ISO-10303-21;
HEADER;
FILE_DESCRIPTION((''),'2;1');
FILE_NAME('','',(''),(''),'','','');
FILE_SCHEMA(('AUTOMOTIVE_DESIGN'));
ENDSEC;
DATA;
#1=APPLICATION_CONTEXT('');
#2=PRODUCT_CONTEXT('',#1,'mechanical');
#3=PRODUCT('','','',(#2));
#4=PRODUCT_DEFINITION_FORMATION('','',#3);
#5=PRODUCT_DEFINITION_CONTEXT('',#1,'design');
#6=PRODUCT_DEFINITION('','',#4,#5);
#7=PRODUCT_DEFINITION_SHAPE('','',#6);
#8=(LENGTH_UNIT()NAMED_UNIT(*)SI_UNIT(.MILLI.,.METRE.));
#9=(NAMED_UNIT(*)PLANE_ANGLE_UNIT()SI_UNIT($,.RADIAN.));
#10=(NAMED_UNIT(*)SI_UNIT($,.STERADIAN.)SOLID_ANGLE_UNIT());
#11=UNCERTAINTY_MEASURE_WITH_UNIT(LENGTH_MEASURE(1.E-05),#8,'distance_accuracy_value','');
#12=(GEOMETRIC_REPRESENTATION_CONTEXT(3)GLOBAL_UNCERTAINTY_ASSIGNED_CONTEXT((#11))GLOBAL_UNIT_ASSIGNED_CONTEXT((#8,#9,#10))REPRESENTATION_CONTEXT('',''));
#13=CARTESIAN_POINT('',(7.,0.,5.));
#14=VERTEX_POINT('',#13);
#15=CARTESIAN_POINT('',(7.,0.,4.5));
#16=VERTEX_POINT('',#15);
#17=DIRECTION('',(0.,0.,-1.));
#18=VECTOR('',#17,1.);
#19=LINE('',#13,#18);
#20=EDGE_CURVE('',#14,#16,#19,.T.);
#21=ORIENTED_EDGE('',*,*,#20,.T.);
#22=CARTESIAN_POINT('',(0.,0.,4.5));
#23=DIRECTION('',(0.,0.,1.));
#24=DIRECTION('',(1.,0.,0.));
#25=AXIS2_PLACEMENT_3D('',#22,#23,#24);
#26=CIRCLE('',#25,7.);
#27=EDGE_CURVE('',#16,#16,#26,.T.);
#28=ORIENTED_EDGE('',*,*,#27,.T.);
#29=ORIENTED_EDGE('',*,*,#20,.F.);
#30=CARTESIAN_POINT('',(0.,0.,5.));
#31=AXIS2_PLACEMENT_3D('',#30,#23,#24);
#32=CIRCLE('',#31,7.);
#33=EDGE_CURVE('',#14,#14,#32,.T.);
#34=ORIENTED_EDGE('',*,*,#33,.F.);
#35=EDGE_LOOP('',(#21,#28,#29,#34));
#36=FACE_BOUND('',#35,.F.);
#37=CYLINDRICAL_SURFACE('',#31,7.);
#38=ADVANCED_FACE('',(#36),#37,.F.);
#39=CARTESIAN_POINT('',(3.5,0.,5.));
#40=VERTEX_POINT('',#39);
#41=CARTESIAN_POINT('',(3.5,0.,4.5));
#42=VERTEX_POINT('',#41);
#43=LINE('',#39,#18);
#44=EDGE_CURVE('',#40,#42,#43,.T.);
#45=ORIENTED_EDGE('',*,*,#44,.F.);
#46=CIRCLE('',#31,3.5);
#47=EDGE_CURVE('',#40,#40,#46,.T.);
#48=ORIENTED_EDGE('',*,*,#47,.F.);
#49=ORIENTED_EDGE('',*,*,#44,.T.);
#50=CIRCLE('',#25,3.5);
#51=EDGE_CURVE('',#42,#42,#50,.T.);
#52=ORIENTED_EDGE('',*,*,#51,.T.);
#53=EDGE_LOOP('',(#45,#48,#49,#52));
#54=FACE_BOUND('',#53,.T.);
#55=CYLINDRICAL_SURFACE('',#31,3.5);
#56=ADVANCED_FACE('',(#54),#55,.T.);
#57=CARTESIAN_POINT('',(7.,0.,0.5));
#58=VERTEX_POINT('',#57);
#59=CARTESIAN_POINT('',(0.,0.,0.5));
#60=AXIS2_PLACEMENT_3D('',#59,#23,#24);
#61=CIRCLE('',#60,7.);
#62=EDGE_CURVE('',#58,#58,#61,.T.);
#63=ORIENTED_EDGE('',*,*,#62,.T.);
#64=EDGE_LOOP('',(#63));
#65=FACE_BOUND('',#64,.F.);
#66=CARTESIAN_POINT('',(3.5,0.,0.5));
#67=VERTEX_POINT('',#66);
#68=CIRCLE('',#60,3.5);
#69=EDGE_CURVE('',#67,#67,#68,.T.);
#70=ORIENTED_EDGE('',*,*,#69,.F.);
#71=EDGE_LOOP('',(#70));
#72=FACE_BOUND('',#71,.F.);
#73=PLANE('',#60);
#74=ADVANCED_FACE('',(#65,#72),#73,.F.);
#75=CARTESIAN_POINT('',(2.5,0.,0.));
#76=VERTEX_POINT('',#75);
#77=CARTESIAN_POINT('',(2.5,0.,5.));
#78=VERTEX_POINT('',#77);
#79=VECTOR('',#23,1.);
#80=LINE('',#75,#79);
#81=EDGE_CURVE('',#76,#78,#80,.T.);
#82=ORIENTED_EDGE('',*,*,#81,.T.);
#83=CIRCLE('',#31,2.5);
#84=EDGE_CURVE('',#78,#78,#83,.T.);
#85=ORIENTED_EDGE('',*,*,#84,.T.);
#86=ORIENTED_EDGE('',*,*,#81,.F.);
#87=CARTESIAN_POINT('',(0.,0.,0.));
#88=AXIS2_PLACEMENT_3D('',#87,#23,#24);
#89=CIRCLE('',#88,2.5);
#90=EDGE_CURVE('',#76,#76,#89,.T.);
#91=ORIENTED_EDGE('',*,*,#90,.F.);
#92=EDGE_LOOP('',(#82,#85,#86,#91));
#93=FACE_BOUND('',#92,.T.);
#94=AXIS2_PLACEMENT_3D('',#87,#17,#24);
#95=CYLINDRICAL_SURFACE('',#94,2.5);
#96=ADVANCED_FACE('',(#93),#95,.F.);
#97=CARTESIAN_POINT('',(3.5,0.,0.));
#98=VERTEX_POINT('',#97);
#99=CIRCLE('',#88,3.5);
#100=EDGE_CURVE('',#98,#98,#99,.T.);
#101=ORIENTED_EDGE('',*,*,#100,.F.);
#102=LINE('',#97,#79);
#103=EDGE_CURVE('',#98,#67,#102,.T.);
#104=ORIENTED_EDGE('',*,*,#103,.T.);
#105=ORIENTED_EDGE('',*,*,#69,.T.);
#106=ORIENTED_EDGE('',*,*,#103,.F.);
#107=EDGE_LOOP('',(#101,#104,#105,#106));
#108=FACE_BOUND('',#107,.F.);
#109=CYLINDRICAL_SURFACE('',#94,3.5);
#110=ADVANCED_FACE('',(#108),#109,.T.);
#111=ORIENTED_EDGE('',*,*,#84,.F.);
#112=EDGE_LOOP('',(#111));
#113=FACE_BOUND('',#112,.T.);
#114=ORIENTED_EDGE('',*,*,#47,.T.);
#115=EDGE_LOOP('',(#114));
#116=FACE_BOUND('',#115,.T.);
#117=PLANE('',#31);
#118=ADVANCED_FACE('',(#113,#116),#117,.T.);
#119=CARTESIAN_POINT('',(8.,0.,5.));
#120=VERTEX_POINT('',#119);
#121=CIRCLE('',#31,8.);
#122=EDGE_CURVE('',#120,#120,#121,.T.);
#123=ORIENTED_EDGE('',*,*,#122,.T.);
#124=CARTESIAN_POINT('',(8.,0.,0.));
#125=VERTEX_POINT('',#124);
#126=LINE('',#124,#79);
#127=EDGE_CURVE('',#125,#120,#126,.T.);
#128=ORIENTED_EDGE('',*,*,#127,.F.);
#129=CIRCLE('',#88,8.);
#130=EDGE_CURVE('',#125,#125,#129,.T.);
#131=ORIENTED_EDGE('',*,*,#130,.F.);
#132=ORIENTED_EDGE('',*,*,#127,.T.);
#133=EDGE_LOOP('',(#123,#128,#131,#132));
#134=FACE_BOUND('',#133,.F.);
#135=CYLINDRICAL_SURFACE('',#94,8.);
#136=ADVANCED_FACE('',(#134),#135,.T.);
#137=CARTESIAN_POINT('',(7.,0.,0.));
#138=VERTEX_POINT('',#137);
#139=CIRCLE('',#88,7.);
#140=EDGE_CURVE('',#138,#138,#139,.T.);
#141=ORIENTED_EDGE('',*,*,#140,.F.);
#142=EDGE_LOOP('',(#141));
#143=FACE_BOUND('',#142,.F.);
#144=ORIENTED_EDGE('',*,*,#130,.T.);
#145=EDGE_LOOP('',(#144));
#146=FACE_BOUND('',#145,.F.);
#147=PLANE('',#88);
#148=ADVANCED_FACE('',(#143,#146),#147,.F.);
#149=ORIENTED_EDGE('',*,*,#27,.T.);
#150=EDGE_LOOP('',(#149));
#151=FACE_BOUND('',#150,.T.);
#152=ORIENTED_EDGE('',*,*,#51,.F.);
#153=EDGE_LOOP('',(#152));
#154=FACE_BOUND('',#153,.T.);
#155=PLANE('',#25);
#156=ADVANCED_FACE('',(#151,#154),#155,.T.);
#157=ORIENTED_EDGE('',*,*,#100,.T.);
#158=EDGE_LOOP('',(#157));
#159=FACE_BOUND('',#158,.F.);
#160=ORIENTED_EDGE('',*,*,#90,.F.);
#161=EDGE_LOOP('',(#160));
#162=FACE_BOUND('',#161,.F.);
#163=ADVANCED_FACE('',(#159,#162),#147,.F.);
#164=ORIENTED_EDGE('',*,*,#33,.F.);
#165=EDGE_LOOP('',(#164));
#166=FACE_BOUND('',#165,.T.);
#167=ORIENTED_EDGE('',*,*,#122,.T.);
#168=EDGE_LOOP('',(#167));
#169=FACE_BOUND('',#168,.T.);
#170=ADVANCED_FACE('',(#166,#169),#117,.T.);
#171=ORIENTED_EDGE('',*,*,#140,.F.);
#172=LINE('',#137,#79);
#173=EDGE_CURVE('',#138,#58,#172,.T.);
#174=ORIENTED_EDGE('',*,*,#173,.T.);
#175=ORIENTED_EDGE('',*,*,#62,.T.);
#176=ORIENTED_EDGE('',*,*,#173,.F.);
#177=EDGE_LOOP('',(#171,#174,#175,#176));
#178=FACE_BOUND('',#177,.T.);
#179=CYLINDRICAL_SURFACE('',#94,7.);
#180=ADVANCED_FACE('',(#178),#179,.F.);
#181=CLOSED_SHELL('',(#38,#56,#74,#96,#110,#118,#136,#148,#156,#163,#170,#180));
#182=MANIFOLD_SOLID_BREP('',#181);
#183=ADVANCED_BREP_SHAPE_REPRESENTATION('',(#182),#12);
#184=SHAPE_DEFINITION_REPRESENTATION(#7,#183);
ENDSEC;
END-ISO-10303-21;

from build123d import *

# Parameters (mm, degrees)
SKETCH019_R     = 8
SKETCH019_R_2   = 2.5
PAD010_DEPTH    = 5
SKETCH020_R     = 7
SKETCH020_R_2   = 3.5
POCKET010_DEPTH = 0.5
SKETCH021_R     = 7
SKETCH021_R_2   = 3.5
POCKET011_DEPTH = 0.5


with BuildPart() as part:
    # Sketch019 → Pad010 (new body)
    with BuildSketch(Plane.XY):
        Circle(SKETCH019_R)
        Circle(SKETCH019_R_2, mode=Mode.SUBTRACT)
    extrude(amount=PAD010_DEPTH)

    # Sketch020 → Pocket010 (cut)
    with BuildSketch(Plane.XY.offset(5)):
        Circle(SKETCH020_R)
        Circle(SKETCH020_R_2, mode=Mode.SUBTRACT)
    extrude(amount=-POCKET010_DEPTH, mode=Mode.SUBTRACT)

    # Sketch021 → Pocket011 (cut)
    with BuildSketch(Plane.XY):
        Circle(SKETCH021_R)
        Circle(SKETCH021_R_2, mode=Mode.SUBTRACT)
    extrude(amount=POCKET011_DEPTH, mode=Mode.SUBTRACT)


solid = part.part
